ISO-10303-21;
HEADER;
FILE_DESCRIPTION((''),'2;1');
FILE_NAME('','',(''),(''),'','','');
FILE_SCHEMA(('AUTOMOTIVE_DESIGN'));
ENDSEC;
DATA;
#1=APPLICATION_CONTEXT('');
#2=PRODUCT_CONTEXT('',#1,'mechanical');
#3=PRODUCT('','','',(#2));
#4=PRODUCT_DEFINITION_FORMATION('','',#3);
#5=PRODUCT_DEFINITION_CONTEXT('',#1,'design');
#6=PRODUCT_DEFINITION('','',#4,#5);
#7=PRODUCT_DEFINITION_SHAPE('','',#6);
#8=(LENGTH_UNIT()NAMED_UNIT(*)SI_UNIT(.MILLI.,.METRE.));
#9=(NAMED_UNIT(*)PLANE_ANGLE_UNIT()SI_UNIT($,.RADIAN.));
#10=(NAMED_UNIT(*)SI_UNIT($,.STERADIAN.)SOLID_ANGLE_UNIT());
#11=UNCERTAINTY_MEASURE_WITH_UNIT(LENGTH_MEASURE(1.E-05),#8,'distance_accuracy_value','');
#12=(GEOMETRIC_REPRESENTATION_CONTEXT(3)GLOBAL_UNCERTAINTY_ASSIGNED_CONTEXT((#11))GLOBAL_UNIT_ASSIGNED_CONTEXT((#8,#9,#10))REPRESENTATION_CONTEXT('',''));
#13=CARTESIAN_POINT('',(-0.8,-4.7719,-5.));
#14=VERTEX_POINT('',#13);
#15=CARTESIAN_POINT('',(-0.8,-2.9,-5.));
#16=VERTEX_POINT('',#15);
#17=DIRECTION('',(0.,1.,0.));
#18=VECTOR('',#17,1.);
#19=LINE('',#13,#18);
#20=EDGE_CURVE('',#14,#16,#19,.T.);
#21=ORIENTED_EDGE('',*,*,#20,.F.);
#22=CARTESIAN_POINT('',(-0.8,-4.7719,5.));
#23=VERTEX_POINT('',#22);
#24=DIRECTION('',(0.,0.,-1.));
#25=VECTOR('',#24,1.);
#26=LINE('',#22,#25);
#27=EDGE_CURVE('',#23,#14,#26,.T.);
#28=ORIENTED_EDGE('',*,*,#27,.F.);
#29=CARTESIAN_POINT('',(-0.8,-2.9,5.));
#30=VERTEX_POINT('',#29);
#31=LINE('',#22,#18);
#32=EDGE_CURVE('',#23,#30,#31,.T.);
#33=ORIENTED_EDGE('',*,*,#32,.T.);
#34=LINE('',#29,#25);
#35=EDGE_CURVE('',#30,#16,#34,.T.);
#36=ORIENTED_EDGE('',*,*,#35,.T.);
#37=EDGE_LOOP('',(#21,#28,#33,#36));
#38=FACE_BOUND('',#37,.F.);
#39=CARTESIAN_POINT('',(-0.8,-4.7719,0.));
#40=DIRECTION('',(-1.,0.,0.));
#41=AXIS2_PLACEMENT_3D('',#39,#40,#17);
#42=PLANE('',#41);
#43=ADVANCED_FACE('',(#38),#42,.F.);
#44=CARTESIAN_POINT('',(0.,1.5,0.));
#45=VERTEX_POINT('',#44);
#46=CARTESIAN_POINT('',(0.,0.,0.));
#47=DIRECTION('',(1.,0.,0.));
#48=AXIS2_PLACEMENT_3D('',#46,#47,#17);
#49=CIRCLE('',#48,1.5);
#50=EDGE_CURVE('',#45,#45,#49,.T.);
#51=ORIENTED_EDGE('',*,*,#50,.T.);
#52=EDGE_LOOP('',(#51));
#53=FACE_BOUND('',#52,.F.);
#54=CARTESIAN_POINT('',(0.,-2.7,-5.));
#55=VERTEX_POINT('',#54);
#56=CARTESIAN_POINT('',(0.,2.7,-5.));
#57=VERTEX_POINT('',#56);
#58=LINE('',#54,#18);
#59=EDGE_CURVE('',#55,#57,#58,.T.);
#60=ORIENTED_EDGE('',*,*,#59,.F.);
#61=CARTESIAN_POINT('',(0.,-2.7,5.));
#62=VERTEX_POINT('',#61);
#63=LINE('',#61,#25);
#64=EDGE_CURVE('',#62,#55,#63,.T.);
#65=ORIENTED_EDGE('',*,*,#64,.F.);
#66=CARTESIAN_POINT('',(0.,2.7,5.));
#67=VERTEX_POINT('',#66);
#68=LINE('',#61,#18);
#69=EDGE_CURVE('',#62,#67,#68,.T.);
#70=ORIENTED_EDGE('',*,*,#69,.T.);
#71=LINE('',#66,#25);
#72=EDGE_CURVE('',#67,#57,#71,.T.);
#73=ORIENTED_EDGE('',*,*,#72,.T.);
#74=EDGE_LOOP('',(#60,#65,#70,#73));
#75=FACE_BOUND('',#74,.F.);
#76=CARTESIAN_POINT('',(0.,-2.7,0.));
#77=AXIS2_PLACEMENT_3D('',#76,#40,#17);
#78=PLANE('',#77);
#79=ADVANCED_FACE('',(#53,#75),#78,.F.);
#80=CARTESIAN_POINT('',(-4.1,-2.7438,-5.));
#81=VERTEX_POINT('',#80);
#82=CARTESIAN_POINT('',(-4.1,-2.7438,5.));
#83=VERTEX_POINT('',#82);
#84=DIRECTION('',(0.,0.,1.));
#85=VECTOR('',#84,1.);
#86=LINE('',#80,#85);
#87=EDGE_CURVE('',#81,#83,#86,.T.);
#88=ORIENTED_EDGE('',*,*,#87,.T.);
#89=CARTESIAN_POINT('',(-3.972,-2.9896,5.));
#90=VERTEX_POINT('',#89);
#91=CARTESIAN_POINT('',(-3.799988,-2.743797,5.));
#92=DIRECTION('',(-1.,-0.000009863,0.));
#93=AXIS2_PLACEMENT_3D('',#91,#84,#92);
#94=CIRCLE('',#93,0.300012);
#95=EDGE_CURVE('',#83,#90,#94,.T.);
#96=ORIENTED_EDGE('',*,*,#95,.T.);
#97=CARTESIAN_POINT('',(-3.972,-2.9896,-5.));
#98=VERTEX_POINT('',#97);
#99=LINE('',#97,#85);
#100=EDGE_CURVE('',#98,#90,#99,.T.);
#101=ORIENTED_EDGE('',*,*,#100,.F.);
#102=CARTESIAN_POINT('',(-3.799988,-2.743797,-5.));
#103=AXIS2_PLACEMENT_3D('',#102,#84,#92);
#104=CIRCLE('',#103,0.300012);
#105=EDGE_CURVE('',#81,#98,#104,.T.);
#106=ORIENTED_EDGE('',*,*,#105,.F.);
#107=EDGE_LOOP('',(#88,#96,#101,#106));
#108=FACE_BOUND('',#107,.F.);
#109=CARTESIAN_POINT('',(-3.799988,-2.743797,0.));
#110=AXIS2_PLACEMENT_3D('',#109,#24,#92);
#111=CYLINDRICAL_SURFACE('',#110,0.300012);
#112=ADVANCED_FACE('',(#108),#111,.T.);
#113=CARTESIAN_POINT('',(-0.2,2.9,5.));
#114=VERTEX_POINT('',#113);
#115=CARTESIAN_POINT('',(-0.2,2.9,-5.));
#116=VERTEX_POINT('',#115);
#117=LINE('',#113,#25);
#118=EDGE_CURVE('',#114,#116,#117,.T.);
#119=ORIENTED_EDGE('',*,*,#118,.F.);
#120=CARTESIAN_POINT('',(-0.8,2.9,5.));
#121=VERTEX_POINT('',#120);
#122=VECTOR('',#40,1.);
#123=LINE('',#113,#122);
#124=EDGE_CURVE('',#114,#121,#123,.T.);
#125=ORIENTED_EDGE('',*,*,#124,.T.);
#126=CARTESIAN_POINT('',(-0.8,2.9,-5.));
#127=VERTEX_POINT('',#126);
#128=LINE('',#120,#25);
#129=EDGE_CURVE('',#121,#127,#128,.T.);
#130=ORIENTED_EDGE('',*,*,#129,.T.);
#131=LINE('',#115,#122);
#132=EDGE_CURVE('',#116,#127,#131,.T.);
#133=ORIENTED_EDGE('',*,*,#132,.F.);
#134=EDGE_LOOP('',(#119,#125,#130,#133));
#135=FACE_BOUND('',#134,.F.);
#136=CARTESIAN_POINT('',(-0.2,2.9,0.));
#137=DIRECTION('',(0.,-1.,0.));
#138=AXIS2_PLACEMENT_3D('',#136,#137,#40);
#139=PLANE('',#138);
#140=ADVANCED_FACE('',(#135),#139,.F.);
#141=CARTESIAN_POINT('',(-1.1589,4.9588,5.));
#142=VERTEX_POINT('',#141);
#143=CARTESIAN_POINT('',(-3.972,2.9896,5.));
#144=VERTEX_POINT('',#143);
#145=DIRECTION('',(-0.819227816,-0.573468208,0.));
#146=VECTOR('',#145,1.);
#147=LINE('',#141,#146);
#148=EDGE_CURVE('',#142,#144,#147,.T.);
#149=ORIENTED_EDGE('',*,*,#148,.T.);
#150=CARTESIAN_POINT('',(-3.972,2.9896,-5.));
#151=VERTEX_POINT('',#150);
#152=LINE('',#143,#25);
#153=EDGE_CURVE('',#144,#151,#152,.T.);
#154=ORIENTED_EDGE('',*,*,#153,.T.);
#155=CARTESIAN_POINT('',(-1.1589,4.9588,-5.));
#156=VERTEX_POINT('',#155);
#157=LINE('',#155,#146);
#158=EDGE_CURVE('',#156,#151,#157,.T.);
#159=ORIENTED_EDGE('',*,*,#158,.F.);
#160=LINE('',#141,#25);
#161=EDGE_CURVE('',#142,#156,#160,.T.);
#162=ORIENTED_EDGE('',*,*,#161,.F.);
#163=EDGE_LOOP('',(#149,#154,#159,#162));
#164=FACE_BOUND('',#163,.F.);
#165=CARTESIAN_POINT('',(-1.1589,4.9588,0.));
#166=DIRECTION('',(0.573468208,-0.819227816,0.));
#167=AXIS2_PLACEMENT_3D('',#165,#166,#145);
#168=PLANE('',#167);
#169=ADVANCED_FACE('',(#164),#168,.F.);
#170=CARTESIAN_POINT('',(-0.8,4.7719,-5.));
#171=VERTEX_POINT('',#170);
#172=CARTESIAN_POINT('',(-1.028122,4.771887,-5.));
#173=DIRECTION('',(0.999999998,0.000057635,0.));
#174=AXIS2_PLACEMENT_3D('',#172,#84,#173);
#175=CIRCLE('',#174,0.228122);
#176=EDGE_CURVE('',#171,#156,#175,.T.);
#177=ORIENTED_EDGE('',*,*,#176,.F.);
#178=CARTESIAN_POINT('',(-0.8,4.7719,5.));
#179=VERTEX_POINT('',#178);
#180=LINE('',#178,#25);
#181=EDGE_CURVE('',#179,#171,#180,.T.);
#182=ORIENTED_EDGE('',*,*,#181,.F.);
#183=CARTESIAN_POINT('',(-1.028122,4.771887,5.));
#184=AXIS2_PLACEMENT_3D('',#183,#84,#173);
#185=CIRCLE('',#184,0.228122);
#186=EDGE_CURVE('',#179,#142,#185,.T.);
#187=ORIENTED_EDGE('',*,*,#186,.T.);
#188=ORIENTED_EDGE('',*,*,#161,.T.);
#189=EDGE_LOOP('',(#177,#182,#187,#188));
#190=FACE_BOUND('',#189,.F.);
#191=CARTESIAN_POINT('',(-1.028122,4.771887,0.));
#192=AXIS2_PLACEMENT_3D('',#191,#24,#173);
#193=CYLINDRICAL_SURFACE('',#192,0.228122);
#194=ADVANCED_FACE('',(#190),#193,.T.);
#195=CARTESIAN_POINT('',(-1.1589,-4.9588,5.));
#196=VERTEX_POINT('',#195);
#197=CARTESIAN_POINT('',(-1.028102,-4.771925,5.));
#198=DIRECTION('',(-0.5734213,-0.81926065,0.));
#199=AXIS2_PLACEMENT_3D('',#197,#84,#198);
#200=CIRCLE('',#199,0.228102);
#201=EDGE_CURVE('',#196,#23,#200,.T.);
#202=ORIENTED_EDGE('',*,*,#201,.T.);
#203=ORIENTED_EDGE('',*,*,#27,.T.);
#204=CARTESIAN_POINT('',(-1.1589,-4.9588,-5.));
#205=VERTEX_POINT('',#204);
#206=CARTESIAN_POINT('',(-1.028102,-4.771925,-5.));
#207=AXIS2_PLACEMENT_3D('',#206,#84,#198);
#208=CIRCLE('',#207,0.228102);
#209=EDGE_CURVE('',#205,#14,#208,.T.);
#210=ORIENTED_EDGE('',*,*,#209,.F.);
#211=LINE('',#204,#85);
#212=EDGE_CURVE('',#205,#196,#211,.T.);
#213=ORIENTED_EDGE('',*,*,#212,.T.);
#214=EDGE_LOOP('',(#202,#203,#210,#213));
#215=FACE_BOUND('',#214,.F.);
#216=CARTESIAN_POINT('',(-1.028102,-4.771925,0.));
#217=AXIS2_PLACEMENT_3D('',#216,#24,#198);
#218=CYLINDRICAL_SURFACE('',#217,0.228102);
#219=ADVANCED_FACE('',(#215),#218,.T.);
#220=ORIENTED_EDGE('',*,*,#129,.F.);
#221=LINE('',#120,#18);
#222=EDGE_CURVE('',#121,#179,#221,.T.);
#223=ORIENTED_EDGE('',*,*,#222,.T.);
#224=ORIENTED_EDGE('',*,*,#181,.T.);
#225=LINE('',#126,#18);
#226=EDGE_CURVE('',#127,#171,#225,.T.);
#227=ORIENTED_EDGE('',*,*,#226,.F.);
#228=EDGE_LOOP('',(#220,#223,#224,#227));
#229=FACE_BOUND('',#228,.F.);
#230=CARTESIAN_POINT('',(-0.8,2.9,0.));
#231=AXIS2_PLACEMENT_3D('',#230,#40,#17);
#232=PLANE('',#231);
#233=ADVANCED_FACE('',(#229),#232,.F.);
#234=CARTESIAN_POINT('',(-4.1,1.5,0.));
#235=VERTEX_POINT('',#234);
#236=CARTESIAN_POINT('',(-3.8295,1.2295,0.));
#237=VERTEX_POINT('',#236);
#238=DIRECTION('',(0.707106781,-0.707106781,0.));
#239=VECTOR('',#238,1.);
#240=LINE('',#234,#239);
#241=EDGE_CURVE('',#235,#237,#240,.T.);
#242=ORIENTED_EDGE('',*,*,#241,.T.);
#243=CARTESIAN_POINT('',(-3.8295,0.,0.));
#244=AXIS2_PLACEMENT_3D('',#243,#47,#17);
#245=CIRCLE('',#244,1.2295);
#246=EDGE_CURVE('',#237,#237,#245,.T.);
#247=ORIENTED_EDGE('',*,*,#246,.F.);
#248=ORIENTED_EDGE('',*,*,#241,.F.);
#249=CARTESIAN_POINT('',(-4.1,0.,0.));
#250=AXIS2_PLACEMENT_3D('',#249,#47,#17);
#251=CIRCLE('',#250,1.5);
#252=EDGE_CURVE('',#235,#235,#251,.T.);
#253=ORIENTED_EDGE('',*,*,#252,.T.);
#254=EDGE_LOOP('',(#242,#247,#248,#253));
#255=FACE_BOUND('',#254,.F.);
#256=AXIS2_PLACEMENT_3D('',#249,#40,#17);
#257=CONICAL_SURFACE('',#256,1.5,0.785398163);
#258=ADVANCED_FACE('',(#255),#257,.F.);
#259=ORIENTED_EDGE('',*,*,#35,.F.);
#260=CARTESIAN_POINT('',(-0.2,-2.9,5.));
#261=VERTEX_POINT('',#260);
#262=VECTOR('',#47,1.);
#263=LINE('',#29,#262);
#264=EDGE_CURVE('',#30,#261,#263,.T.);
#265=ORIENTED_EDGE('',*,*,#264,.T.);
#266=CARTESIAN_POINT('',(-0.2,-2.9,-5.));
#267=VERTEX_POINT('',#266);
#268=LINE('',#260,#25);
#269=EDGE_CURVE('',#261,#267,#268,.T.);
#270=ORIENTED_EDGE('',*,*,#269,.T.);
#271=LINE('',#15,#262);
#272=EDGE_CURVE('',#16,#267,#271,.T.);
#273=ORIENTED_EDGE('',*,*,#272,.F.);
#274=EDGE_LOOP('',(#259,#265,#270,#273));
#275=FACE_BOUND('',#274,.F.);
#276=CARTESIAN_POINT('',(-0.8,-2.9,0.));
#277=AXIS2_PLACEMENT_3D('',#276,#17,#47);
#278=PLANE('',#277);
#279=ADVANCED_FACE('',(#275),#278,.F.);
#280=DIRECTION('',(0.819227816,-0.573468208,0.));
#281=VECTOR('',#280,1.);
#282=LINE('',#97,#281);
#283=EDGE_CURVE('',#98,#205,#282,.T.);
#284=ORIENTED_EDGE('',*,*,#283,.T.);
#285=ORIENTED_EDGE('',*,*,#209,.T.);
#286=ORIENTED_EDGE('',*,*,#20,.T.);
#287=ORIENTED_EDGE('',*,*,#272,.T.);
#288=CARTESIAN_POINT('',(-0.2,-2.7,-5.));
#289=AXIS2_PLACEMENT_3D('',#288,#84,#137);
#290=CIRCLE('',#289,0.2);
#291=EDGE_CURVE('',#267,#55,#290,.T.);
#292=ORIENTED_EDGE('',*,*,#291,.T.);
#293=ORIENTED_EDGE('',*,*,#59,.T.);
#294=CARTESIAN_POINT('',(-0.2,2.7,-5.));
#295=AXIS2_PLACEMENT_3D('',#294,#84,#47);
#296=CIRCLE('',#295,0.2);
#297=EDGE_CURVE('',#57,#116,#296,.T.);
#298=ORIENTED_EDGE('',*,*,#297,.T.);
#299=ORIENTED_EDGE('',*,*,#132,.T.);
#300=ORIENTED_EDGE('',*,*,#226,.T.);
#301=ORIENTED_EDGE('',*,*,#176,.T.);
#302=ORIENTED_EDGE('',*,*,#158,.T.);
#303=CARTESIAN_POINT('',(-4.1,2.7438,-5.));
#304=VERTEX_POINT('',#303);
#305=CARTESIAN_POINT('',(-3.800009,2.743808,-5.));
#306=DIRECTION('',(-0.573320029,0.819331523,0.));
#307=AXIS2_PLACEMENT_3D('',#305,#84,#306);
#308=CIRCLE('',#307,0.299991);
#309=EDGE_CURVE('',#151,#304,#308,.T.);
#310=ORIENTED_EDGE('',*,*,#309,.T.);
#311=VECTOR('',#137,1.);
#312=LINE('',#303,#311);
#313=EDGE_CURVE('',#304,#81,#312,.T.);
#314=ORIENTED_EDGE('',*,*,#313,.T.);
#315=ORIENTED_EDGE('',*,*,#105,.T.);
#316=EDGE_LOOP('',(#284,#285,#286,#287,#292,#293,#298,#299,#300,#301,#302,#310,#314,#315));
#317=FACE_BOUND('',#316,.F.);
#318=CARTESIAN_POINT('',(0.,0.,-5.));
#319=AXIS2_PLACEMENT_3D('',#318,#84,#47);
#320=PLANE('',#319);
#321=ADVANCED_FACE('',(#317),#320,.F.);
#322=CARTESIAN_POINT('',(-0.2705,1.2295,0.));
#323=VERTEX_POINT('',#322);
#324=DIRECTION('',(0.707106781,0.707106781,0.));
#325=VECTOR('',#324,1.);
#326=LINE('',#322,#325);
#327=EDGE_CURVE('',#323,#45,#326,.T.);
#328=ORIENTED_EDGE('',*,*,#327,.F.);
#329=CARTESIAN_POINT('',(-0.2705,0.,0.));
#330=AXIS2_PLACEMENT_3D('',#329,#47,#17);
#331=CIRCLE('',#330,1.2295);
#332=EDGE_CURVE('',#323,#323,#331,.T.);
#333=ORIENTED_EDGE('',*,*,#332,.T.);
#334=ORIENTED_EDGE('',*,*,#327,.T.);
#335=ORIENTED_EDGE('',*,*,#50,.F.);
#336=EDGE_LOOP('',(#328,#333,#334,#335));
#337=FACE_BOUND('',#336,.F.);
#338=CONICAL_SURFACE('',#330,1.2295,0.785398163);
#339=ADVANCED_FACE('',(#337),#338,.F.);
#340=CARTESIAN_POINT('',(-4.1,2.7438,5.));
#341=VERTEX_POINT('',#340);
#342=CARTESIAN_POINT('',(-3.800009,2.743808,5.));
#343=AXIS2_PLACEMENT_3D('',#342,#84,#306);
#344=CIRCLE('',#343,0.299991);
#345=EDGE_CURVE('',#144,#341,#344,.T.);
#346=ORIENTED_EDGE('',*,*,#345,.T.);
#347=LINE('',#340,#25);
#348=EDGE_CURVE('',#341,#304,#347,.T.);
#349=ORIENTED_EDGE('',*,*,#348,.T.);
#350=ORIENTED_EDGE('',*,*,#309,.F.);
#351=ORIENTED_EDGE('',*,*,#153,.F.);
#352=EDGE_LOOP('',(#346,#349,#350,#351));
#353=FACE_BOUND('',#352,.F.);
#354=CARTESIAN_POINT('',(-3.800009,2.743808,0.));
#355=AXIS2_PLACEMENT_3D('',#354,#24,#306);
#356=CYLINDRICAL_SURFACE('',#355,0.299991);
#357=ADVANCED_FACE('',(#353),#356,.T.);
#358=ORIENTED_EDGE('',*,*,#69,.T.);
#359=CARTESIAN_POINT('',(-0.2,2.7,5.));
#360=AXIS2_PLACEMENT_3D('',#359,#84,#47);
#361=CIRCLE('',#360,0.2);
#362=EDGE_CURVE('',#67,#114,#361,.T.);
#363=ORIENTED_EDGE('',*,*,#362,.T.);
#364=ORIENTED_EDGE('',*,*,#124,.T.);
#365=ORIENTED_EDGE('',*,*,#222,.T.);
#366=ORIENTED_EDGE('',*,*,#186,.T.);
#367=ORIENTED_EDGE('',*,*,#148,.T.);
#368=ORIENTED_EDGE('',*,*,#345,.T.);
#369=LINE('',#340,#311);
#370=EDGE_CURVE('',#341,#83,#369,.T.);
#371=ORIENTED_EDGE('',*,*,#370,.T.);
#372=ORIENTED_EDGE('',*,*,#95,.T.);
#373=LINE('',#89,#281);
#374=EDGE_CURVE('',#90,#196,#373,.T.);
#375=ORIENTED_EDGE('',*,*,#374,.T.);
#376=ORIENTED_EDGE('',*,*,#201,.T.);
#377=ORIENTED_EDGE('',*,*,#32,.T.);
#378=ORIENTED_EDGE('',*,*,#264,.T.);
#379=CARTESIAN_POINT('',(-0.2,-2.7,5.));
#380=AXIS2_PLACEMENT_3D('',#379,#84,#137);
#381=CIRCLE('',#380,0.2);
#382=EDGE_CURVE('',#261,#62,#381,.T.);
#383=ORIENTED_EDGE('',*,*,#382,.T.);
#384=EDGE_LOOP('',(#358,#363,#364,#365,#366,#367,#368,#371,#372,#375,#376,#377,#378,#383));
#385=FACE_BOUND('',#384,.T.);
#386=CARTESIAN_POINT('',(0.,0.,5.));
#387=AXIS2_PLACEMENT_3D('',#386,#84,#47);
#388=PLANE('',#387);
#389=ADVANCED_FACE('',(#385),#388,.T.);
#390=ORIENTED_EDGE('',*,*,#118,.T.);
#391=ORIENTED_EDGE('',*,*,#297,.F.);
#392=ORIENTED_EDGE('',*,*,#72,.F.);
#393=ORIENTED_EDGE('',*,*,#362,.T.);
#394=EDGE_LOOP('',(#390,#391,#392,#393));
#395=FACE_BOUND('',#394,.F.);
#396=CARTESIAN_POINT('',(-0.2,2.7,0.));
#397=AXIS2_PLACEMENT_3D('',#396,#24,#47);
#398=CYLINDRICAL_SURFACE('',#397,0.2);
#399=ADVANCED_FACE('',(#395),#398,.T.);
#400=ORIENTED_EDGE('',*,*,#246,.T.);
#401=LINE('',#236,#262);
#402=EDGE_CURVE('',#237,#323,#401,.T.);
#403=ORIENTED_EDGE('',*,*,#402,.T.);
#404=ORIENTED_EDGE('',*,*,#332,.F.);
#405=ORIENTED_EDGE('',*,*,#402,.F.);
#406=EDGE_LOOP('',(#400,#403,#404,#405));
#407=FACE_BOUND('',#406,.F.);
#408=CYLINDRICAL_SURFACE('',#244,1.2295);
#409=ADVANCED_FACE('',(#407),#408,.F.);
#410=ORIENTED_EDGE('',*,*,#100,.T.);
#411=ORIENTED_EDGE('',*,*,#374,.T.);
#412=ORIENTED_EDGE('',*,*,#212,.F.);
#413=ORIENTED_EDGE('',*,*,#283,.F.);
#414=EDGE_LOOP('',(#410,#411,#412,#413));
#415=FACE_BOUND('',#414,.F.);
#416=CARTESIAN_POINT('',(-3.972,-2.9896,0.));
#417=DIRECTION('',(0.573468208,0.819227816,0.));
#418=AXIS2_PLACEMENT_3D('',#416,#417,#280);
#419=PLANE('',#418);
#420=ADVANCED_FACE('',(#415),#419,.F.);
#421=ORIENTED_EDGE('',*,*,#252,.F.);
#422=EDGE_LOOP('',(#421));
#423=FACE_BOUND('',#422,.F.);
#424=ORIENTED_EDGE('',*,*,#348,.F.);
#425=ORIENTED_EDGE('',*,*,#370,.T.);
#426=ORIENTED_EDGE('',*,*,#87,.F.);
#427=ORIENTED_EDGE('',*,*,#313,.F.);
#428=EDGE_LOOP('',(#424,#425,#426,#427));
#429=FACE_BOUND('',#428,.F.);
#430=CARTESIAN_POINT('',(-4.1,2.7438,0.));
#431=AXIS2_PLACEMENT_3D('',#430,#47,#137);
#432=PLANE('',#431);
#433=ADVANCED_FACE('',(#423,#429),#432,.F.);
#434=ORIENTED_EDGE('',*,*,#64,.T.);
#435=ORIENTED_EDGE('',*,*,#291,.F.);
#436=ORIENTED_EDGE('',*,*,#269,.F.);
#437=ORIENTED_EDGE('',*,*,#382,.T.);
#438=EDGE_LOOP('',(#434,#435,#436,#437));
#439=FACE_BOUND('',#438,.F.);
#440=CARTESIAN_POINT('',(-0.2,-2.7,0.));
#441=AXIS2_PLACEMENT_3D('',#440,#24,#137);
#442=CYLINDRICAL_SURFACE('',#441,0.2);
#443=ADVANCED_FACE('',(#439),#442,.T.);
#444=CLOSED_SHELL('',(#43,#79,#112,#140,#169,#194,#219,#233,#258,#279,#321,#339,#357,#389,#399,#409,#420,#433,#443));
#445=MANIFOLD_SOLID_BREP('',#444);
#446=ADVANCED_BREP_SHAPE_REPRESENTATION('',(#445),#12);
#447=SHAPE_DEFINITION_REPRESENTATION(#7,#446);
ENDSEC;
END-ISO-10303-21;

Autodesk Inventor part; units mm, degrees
sketch "Sketch_2" plane through (0, 0, 0) normal (0, 0, 1) x (1, 0, 0)
  arc A0 (-4.1, -2.7438) -> (-3.972, -2.9896) centre (-3.8, -2.7438) ccw
  line L0 (-3.972, -2.9896) -> (-1.1589, -4.9588)
  arc A1 (-1.1589, -4.9588) -> (-0.8, -4.7719) centre (-1.0281, -4.7719) ccw
  line L1 (-0.8, -4.7719) -> (-0.8, -2.9)
  line L2 (-0.8, -2.9) -> (-0.2, -2.9)
  arc A2 (-0.2, -2.9) -> (0, -2.7) centre (-0.2, -2.7) ccw
  line L3 (0, -2.7) -> (0, 2.7)
  arc A3 (0, 2.7) -> (-0.2, 2.9) centre (-0.2, 2.7) ccw
  line L4 (-0.2, 2.9) -> (-0.8, 2.9)
  line L5 (-0.8, 2.9) -> (-0.8, 4.7719)
  arc A4 (-0.8, 4.7719) -> (-1.1589, 4.9588) centre (-1.0281, 4.7719) ccw
  line L6 (-1.1589, 4.9588) -> (-3.972, 2.9896)
  arc A5 (-3.972, 2.9896) -> (-4.1, 2.7438) centre (-3.8, 2.7438) ccw
  line L7 (-4.1, 2.7438) -> (-4.1, -2.7438)
extrude "Extrusion1" add sketch "Sketch_2" along normal mid plane 10
sketch "Sketch_5" plane through (0, 0, 0) normal (0, 0, 1) x (1, 0, 0)
  line L0 (0, 0) -> (-4.1, 0)
  line L1 (-4.1, 0) -> (-4.1, 1.5)
  line L2 (-4.1, 1.5) -> (-3.8295, 1.2295)
  line L3 (-3.8295, 1.2295) -> (-0.2705, 1.2295)
  line L4 (-0.2705, 1.2295) -> (0, 1.5)
  line L5 (0, 1.5) -> (0, 0)
  line L6 (0, 0) -> (-4.1, 0)
revolve "Revolution1" cut sketch "Sketch_5" angle 360 about axis through (0, 0, 0) along (1, 0, 0)
ref_plane "nut_XY" through (0, 0, 0) normal (1, 0, 0) x (0, 0, -1)
ref_plane "nut_YZ" through (0, 0, 0) normal (0, 0, -1) x (0, 1, 0)
ref_plane "nut_ZX" through (0, 0, 0) normal (0, 1, 0) x (1, 0, 0)
ref_plane "to_bolt_XY" through (-4.1, 0, 0) normal (1, 0, 0) x (0, 0, -1)
ref_plane "to_bolt_YZ" through (-4.1, 0, 0) normal (0, 0, -1) x (0, 1, 0)
ref_plane "to_bolt_ZX" through (-4.1, 0, 0) normal (0, 1, 0) x (1, 0, 0)
ref_plane "to_frames_XY" through (-0.8, 0, 0) normal (1, 0, 0) x (0, 0, -1)
ref_plane "to_frames_YZ" through (-0.8, 0, 0) normal (0, 0, -1) x (0, 1, 0)
ref_plane "to_frames_ZX" through (-0.8, 0, 0) normal (0, 1, 0) x (1, 0, 0)
ref_plane "to_lane_XY" through (0, 0, 0) normal (0, 0, 1) x (1, 0, 0)
ref_plane "to_lane_YZ" through (0, 0, 0) normal (1, 0, 0) x (0, 1, 0)
ref_plane "to_lane_ZX" through (0, 0, 0) normal (0, 1, 0) x (0, 0, 1)
properties part number "HNTT5-3"
